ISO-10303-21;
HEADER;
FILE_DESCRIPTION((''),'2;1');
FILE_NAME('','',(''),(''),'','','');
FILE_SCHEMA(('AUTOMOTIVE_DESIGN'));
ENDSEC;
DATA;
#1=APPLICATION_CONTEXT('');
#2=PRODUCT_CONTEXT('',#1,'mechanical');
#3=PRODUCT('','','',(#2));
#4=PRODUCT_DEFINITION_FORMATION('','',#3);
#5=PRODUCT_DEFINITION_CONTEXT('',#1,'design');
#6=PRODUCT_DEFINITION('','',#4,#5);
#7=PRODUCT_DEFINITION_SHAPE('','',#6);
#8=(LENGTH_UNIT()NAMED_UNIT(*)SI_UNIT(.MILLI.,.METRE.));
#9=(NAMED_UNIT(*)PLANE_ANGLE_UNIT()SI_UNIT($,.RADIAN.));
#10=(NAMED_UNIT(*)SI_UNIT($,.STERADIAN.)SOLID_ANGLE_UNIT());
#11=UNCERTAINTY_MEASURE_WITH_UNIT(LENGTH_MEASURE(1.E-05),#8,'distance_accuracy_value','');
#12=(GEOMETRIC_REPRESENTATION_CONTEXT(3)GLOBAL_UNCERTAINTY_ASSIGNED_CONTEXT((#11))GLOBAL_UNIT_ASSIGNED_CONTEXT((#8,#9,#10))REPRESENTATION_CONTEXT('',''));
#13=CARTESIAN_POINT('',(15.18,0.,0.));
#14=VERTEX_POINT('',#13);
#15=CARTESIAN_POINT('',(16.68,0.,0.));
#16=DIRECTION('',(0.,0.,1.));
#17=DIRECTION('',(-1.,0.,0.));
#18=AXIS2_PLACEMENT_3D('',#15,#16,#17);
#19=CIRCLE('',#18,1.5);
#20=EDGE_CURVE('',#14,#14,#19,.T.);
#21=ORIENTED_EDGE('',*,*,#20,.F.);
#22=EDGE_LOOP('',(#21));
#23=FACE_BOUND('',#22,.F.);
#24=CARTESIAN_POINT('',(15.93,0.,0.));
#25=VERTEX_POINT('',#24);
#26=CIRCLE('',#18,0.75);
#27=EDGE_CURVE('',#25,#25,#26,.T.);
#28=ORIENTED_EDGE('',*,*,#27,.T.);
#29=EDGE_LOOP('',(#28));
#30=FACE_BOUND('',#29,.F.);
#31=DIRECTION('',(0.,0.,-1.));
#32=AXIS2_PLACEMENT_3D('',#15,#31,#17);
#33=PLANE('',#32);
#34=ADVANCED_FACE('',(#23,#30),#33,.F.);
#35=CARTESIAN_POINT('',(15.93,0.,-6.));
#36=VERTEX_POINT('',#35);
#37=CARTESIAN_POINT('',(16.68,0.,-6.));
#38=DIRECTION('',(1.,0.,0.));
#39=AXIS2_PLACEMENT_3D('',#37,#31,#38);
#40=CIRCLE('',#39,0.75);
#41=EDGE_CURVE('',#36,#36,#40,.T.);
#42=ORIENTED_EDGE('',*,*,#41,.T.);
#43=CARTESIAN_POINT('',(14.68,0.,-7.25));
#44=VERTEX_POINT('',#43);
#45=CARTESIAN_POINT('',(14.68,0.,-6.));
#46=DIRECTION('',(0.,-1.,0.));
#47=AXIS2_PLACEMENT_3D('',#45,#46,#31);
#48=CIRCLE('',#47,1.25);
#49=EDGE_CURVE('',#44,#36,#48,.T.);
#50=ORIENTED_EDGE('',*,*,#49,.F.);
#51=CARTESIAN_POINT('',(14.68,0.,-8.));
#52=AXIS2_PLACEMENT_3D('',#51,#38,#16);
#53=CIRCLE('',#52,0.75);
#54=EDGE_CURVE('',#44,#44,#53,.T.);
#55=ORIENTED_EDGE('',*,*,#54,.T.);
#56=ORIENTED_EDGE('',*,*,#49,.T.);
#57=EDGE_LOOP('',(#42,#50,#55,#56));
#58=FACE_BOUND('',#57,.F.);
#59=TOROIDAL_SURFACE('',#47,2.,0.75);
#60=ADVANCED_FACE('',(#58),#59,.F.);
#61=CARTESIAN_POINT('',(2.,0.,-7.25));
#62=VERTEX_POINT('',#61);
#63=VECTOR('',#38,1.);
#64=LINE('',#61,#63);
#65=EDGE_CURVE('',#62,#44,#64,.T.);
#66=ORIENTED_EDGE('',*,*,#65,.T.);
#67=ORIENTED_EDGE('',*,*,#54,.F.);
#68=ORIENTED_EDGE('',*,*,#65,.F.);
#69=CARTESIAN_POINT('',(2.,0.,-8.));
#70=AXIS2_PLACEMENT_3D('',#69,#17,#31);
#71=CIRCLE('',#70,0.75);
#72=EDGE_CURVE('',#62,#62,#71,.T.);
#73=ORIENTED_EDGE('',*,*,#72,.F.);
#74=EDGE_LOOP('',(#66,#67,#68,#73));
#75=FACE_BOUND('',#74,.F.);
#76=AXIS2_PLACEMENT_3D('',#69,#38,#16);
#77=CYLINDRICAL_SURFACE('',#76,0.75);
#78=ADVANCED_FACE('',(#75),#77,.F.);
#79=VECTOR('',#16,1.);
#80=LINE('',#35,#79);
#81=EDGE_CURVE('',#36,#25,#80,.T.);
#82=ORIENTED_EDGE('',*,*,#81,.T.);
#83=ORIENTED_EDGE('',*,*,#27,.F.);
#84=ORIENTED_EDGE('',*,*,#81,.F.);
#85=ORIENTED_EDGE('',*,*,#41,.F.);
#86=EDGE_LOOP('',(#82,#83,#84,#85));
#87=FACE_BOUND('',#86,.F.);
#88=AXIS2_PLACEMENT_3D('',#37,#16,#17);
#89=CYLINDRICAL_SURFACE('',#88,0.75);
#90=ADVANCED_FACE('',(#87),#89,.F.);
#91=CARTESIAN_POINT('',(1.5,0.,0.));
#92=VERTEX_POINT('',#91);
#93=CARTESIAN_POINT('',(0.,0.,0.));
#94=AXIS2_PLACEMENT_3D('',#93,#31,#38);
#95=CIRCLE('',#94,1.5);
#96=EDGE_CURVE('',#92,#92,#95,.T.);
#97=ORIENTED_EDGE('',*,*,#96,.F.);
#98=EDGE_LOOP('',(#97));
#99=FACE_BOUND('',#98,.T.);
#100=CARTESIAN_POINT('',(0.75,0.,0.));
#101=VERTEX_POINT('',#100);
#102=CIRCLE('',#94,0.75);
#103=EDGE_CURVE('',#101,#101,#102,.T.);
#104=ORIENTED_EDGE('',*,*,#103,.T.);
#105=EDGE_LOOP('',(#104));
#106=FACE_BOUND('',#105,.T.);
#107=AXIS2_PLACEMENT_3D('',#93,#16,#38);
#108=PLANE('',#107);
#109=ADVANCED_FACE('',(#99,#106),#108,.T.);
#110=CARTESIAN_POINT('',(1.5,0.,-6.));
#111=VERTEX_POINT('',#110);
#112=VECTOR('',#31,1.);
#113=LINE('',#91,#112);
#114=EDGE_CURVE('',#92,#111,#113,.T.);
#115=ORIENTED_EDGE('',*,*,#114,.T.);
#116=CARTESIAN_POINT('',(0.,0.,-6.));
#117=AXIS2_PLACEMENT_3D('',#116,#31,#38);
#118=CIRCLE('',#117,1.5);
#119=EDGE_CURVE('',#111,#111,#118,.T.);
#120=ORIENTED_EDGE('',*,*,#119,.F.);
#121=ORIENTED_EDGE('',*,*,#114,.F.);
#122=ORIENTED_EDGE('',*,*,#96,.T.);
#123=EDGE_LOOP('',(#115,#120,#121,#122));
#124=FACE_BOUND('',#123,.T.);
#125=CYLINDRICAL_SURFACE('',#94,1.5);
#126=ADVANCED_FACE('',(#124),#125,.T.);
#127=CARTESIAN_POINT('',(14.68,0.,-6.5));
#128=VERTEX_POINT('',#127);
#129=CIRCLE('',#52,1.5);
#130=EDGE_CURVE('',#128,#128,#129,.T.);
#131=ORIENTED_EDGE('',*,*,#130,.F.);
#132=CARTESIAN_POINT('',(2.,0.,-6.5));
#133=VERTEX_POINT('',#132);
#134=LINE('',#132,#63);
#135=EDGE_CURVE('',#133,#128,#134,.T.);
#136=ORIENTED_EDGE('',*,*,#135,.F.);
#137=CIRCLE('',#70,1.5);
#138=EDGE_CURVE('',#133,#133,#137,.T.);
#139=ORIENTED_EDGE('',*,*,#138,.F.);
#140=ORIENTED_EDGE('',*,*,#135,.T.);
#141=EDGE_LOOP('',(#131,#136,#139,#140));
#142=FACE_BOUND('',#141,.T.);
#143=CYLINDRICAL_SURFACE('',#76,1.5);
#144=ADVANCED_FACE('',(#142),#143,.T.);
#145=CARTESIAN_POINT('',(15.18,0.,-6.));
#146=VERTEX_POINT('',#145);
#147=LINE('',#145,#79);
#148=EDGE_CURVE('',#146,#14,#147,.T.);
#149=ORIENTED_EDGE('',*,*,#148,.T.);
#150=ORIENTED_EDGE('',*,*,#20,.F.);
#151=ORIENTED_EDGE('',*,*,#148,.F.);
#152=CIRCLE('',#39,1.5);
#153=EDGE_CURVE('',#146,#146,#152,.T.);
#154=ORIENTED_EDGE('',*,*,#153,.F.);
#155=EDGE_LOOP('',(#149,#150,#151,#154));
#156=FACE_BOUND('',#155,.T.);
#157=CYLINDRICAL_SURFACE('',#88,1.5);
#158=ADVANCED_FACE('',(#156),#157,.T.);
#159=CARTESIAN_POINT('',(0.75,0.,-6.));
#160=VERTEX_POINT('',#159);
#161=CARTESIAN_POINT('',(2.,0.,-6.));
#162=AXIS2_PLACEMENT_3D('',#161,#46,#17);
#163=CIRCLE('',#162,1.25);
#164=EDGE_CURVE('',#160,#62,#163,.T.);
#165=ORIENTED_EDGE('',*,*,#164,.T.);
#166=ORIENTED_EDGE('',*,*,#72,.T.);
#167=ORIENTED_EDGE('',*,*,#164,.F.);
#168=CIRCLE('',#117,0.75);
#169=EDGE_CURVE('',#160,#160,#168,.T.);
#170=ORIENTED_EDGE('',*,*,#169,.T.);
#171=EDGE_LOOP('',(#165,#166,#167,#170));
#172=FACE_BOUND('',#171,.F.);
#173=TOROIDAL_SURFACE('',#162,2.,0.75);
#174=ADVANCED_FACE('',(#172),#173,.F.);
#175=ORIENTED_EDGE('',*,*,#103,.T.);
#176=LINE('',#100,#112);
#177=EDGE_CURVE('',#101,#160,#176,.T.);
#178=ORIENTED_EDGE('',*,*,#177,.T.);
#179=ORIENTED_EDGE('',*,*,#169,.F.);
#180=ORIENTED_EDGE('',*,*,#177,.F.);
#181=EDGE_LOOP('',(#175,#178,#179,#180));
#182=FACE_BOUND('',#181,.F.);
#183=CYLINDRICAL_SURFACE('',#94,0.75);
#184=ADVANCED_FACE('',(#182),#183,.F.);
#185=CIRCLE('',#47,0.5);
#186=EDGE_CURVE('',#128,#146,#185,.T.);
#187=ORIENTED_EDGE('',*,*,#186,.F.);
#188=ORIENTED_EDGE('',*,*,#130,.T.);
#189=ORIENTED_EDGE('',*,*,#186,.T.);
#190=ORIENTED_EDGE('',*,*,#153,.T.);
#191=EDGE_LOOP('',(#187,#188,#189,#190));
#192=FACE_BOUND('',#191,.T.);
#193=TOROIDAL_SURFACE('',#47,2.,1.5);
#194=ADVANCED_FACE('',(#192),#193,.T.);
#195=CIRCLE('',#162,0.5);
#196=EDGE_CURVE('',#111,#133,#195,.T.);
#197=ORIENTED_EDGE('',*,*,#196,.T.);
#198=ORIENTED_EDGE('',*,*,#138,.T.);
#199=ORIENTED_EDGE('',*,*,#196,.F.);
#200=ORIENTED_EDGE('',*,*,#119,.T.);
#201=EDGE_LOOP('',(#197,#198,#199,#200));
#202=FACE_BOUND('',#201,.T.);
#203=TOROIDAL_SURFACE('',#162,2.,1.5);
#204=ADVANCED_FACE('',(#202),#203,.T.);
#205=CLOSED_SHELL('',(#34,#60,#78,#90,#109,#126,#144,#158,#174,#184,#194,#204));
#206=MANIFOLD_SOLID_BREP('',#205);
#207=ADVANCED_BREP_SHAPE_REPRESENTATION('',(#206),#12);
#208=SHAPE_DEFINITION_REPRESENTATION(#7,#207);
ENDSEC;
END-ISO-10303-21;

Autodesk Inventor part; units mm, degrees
ref_plane "YZ Plane" through (0, 0, 0) normal (1, 0, 0) x (0, 1, 0)
ref_plane "XZ Plane" through (0, 0, 0) normal (0, 1, 0) x (-1, 0, 0)
ref_plane "XY Plane" through (0, 0, 0) normal (0, 0, 1) x (1, 0, 0)
sketch "Sketch1" plane through (0, 0, 0) normal (0, 0, 1) x (1, 0, 0)
  circle A0 centre (0, 0) radius 1.5
  circle A1 centre (0, 0) radius 0.75
  dimension "d4" = 3
  dimension "d5" = 1.5
sketch3d "3D Sketch1"
  line L0 (0, 0, 0) -> (0, 0, -6)
  arc A0 (0, 0, -6) -> (2, 0, -8) centre (2, 0, -6) ccw
  line L1 (2, 0, -8) -> (14.68, 0, -8)
  arc A1 (14.68, 0, -8) -> (16.68, 0, -6) centre (14.68, 0, -6) ccw
  line L2 (16.68, 0, -6) -> (16.68, 0, 0)
  dimension "d6" = 8
  dimension "d7" = 16.68
  dimension "d8" = 8
  dimension "d9" = 2
  dimension "d10" = 2
sweep "Sweep1" add profiles "Sketch1" path "3D Sketch1"
properties part number "Gagang"
